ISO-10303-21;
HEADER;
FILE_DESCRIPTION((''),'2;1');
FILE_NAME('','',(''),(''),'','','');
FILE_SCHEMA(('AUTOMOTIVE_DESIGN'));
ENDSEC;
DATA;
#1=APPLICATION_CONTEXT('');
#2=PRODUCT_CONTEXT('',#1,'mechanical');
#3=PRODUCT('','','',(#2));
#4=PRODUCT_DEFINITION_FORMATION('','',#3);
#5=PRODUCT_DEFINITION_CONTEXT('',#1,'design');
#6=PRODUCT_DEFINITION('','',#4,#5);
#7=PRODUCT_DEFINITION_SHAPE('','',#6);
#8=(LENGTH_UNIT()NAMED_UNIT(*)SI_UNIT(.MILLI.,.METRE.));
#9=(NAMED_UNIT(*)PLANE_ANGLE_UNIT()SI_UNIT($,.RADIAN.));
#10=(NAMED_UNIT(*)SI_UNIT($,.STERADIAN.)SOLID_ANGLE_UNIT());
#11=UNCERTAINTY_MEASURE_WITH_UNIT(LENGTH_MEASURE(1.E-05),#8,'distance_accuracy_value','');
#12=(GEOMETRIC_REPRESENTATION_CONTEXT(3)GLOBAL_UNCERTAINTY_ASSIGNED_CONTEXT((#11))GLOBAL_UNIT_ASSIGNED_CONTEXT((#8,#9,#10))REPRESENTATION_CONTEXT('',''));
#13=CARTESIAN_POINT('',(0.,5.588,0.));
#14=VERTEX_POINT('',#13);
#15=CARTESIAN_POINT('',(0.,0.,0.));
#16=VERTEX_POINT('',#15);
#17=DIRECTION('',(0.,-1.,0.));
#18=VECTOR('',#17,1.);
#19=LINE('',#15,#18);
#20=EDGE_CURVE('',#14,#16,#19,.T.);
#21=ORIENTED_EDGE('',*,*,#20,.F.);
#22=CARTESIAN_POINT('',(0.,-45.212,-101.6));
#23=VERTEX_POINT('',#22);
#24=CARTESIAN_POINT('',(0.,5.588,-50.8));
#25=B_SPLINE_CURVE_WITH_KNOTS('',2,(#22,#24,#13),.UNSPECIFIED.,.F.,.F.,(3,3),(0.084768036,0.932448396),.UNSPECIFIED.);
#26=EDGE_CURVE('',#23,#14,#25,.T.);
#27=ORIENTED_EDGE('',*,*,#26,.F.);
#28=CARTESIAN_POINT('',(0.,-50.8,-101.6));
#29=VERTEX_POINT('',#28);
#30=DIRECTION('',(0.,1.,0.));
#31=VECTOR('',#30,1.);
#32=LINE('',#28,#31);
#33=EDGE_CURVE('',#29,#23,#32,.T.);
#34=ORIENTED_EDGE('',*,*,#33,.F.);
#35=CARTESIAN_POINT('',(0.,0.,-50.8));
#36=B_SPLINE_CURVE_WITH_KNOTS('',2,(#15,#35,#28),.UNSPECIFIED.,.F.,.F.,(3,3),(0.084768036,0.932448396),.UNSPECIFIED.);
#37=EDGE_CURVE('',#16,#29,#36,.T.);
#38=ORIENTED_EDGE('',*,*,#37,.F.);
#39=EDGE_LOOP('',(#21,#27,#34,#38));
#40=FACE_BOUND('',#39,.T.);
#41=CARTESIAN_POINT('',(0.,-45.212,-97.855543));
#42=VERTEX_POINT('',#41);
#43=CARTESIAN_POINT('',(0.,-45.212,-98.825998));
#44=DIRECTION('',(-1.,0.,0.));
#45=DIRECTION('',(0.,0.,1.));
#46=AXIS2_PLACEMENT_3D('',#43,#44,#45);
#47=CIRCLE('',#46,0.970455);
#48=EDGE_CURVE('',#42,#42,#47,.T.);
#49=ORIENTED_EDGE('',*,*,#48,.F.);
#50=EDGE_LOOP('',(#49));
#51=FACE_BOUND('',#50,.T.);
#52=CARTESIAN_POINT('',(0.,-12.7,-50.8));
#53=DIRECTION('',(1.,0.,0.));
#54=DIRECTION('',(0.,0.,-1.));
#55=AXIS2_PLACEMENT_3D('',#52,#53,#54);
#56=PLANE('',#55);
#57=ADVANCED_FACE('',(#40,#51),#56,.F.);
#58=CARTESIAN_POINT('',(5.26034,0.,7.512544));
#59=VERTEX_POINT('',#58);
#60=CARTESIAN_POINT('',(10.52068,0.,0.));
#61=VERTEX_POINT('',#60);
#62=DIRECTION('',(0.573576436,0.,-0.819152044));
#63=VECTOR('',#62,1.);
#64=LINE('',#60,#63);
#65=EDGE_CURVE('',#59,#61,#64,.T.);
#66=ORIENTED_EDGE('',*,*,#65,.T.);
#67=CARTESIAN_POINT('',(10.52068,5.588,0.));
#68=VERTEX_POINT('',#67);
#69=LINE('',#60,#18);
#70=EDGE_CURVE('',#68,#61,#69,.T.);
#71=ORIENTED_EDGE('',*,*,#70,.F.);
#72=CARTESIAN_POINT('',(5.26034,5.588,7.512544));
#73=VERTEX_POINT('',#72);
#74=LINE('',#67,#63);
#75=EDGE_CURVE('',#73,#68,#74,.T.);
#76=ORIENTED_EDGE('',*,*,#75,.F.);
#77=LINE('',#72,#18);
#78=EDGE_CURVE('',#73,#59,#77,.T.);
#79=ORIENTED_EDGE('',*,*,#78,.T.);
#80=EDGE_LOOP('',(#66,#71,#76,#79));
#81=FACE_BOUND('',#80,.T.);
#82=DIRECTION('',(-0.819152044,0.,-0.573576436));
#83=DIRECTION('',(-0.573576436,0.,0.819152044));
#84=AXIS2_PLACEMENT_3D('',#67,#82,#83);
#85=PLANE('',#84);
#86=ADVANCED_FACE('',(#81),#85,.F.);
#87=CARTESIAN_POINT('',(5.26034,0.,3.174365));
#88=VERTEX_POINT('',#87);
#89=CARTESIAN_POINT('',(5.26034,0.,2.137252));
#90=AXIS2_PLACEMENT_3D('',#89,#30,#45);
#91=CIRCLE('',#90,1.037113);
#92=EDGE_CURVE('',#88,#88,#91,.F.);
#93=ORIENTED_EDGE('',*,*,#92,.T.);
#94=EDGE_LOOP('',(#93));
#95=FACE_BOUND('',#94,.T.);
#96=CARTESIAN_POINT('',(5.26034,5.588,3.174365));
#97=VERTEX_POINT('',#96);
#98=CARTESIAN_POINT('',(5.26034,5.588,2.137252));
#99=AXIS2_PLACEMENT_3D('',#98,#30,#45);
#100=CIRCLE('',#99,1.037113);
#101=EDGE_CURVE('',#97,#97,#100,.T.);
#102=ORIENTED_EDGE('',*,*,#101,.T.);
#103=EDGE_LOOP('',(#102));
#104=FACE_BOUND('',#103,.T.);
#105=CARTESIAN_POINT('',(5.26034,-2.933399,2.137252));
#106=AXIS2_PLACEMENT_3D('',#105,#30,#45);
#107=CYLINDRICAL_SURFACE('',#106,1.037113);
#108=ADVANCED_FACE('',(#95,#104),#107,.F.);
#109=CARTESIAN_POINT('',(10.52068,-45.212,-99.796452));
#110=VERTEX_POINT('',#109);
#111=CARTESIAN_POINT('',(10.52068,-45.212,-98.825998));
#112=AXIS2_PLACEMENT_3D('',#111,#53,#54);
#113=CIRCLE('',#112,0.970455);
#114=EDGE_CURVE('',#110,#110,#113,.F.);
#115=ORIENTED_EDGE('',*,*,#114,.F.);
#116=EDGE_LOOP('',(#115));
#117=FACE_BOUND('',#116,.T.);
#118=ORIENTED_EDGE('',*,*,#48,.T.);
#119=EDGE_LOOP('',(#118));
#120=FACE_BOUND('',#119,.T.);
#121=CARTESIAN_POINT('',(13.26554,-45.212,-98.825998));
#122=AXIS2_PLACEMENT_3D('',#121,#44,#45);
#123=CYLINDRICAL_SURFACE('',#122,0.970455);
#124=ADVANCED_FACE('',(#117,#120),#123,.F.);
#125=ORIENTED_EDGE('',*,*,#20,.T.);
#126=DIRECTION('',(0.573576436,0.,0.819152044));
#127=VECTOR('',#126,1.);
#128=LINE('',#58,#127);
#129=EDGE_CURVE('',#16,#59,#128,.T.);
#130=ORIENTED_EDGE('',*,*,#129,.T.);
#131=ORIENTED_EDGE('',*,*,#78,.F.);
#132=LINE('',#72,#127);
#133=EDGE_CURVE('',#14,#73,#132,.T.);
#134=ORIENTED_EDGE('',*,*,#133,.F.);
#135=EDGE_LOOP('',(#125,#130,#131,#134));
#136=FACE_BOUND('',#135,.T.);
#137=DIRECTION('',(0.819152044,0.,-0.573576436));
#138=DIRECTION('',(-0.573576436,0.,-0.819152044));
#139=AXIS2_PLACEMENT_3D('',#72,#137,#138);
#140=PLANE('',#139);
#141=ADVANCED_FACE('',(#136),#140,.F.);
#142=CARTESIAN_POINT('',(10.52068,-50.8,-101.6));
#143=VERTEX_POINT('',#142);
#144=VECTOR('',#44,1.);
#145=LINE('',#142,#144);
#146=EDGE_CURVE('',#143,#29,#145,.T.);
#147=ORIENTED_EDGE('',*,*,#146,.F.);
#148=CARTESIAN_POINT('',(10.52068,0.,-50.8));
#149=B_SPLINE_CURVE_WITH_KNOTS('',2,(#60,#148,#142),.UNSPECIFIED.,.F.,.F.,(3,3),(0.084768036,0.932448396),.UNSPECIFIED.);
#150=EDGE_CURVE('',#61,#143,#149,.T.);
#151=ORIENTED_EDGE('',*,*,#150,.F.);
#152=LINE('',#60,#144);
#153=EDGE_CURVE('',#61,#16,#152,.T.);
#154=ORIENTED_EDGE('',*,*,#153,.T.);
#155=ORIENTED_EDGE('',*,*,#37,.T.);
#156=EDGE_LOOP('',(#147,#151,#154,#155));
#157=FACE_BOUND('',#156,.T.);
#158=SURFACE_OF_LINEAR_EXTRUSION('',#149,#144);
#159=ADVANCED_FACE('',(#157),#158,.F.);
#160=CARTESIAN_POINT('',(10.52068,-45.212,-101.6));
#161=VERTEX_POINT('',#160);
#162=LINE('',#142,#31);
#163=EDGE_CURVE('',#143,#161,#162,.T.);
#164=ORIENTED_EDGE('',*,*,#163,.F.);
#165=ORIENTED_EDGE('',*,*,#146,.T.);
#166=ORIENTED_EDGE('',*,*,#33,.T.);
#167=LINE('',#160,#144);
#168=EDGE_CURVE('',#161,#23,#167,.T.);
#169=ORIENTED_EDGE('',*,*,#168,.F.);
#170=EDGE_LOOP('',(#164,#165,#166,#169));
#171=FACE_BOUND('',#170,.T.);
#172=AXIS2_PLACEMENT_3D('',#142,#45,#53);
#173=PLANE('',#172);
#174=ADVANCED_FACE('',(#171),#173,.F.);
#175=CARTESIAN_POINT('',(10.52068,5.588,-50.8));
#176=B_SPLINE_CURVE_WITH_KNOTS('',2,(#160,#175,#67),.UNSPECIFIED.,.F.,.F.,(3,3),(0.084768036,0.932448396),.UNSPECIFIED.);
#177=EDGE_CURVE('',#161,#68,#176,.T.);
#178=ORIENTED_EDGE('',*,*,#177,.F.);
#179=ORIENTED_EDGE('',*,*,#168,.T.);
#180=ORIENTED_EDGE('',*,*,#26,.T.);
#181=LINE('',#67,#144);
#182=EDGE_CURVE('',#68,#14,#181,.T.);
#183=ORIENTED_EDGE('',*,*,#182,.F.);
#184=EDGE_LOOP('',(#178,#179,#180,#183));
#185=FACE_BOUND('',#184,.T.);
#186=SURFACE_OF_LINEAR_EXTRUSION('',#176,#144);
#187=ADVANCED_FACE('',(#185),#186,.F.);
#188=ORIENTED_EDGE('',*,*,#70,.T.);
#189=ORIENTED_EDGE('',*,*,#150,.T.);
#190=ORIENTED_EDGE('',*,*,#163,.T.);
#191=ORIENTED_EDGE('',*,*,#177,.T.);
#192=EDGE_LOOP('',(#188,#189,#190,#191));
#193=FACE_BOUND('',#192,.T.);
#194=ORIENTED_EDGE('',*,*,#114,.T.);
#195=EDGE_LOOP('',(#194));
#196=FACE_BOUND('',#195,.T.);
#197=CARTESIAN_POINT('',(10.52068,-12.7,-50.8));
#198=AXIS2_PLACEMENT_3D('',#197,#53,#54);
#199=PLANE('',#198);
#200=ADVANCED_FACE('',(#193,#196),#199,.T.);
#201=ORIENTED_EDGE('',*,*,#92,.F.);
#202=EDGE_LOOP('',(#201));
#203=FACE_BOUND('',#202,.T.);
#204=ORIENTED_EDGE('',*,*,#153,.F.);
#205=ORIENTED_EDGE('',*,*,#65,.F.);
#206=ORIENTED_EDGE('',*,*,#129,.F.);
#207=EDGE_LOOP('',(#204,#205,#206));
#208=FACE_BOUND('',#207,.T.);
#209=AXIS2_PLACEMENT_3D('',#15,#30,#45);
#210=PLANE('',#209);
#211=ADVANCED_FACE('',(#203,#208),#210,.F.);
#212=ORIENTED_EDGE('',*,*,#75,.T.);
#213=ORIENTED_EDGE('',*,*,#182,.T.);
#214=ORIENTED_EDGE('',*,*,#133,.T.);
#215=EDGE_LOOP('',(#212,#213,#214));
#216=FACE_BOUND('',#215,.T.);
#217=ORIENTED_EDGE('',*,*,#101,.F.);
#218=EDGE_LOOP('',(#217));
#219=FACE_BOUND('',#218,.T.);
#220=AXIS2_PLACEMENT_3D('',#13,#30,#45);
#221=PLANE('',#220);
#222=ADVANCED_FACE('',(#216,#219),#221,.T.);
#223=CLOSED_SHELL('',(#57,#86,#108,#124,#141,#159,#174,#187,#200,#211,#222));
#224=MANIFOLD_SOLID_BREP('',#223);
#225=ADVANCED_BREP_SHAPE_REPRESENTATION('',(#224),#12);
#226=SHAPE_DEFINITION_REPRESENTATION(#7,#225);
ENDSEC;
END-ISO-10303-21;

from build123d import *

# Parameters (mm, degrees)
BOSS_EXTRUDE1_DEPTH = 10.52068
BOSS_EXTRUDE3_DEPTH = 5.588
SKETCH4_R           = 1.037113256
CUT_EXTRUDE1_DEPTH  = 5.588
SKETCH5_R           = 0.970454713
CUT_EXTRUDE2_DEPTH  = 10.52068


with BuildPart() as part:
    # Sketch1 → Boss-Extrude1 (new body)
    with BuildSketch(Plane(origin=(0, 0, 0), x_dir=(0, 0, -1), z_dir=(1, 0, 0))):
        with BuildLine():
            Line((0, 0), (0, 5.588000005))
            add(Edge.make_bspline(
                [(0, 5.588000005), (50.799999991, 5.588000023), (101.6, -45.211999941)],
                knots=[0.084768036, 0.084768036, 0.084768036, 0.932448396, 0.932448396, 0.932448396], degree=2))
            Line((101.6, -45.211999941), (101.6, -50.799999941))
            add(Edge.make_bspline(
                [(0, 0), (50.79999999, 2e-08), (101.6, -50.799999941)],
                knots=[0.084768036, 0.084768036, 0.084768036, 0.932448396, 0.932448396, 0.932448396], degree=2))
        make_face()
    extrude(amount=BOSS_EXTRUDE1_DEPTH)

    # Sketch2 → Boss-Extrude3 (add)
    with BuildSketch(Plane(origin=(0, 0, 0), x_dir=(1, 0, 0), z_dir=(0, 1, 0))):
        Polygon((0, 0), (10.52068, 0), (5.26034, -7.512544086), align=None)
    extrude(amount=BOSS_EXTRUDE3_DEPTH)

    # Sketch4 → Cut-Extrude1 (cut)
    with BuildSketch(Plane(origin=(0, 5.588000005, 0), x_dir=(1, 0, 0), z_dir=(0, 1, 0))):
        with Locations((5.26034, -2.137251975)):
            Circle(SKETCH4_R)
    extrude(amount=-CUT_EXTRUDE1_DEPTH, mode=Mode.SUBTRACT)

    # Sketch5 → Cut-Extrude2 (cut)
    with BuildSketch(Plane.ZY):
        with Locations((-98.825997746, -45.21199994)):
            Circle(SKETCH5_R)
    extrude(amount=-CUT_EXTRUDE2_DEPTH, mode=Mode.SUBTRACT)


solid = part.part
